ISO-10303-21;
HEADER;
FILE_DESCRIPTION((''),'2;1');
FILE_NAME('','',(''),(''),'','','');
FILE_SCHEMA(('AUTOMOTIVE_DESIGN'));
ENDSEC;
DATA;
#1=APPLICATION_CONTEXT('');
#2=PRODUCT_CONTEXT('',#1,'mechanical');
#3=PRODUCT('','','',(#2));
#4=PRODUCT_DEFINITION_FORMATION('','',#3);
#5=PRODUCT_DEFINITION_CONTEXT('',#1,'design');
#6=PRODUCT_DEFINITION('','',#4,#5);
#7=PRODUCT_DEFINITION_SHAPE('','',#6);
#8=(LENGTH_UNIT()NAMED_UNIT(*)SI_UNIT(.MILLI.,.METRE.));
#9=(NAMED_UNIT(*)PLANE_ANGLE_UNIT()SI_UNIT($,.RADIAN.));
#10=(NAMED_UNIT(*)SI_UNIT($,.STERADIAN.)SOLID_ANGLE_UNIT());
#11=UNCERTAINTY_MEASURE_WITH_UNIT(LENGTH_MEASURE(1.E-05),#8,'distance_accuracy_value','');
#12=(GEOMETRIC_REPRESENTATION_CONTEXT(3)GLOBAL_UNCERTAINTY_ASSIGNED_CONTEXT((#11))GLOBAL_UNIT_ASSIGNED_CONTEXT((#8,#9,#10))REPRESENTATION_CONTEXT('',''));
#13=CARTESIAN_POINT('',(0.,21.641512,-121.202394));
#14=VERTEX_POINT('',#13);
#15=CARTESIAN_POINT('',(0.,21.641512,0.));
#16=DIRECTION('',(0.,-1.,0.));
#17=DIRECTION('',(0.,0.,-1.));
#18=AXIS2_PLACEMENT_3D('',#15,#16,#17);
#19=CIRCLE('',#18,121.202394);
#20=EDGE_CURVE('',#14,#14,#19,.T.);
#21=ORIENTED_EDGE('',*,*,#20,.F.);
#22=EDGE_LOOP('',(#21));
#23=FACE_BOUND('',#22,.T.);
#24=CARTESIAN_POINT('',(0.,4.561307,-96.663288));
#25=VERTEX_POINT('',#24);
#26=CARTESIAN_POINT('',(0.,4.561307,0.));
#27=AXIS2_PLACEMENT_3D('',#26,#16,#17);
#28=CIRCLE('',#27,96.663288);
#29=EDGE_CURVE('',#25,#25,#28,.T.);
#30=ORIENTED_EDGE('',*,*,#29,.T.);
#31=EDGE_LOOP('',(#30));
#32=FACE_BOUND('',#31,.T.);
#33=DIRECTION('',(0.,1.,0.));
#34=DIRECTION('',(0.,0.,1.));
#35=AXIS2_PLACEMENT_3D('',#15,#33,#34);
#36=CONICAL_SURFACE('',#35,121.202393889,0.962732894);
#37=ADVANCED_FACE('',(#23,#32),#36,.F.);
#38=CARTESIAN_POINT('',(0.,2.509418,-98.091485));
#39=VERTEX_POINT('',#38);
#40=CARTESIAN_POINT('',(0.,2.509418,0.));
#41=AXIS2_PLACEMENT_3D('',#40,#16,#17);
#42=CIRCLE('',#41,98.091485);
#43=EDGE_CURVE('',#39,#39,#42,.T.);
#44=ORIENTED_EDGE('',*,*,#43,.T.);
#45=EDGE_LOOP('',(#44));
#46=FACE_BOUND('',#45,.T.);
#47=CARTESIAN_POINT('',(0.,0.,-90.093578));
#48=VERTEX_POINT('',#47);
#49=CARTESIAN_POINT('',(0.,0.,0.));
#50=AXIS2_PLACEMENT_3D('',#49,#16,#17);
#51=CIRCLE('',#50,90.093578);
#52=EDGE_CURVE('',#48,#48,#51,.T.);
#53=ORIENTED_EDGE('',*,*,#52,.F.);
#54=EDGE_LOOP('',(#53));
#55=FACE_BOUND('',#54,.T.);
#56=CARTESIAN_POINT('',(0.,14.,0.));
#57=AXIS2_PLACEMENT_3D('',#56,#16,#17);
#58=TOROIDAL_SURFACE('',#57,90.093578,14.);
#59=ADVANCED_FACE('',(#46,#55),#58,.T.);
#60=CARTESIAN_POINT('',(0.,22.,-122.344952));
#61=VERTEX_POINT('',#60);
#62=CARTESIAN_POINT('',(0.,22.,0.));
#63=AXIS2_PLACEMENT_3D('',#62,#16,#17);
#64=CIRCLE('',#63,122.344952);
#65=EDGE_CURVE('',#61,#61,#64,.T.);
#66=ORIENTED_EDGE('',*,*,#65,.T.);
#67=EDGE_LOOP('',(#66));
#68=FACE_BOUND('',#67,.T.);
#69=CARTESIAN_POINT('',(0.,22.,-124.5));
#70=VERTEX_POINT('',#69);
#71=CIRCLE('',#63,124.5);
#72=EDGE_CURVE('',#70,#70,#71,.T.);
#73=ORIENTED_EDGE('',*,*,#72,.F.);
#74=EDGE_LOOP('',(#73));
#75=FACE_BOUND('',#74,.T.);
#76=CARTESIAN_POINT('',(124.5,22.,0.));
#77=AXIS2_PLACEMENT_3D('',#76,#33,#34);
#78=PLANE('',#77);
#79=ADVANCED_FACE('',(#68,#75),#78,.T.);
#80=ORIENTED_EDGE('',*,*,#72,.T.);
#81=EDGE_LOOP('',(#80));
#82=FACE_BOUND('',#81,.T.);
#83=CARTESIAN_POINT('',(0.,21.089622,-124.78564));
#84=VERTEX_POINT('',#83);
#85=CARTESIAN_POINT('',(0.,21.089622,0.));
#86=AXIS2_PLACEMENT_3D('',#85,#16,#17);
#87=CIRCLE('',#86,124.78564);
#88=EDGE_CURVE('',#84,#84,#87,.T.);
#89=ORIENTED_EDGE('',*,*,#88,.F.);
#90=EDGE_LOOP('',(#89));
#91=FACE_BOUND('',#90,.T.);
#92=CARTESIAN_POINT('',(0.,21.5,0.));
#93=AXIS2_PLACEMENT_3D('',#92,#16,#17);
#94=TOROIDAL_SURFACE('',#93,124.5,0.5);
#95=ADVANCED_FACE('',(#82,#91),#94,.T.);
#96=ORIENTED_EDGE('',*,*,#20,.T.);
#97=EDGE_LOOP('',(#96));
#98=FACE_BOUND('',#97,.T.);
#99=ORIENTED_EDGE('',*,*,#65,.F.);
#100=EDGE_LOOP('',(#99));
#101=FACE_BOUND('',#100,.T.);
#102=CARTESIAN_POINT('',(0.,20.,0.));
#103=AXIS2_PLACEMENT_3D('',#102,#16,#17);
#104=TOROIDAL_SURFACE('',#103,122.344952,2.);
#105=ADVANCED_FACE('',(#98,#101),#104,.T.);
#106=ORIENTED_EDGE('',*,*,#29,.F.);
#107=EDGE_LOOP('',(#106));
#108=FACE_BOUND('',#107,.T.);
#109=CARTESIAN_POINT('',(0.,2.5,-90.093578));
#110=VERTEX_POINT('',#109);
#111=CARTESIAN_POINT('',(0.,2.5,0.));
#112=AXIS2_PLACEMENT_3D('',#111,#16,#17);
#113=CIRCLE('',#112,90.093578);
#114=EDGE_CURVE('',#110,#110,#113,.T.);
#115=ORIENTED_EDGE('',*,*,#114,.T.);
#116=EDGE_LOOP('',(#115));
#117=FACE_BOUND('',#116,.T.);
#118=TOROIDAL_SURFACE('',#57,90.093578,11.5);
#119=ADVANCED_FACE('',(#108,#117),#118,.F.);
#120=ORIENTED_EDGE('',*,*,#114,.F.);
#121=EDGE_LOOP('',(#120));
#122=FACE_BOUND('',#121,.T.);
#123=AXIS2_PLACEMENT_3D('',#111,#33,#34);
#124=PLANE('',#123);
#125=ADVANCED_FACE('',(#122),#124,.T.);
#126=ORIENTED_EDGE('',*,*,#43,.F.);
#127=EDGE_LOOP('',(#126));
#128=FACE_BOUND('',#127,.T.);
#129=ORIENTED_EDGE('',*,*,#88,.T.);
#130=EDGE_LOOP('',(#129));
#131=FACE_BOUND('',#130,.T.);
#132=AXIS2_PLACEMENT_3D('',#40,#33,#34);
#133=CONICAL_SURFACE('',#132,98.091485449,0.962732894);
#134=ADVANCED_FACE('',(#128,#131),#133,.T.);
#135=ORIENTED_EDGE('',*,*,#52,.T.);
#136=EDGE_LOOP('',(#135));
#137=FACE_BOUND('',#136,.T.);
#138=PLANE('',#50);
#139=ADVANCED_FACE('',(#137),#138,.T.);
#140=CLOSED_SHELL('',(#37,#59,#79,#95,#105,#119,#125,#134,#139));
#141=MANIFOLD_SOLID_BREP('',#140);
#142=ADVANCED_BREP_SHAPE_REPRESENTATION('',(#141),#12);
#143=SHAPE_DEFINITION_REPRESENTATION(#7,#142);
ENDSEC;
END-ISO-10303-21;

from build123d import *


with BuildPart() as part:
    # ProfileS → Profile (revolve)
    with BuildSketch(Plane.XY):
        with BuildLine():
            Line((0, 0), (90.093578278, 0))
            ThreePointArc((90.093578278, 0), (94.284750443, 0.64207816), (98.091485449, 2.509417731))
            Line((98.091485449, 2.509417731), (124.785639542, 21.089622062))
            ThreePointArc((124.785639542, 21.089622062), (124.977068637, 21.64968472), (124.5, 22))
            Line((124.5, 22), (122.344952056, 22))
            ThreePointArc((122.344952056, 22), (121.746213175, 21.908274549), (121.202393889, 21.641511753))
            Line((121.202393889, 21.641511753), (96.66328774, 4.561307422))
            ThreePointArc((96.66328774, 4.561307422), (93.536326842, 3.027421346), (90.093578278, 2.5))
            Line((90.093578278, 2.5), (0, 2.5))
            Line((0, 2.5), (0, 0))
        make_face()
    revolve(axis=Axis((0, 0, 0), (0, 1, 0)))


solid = part.part
